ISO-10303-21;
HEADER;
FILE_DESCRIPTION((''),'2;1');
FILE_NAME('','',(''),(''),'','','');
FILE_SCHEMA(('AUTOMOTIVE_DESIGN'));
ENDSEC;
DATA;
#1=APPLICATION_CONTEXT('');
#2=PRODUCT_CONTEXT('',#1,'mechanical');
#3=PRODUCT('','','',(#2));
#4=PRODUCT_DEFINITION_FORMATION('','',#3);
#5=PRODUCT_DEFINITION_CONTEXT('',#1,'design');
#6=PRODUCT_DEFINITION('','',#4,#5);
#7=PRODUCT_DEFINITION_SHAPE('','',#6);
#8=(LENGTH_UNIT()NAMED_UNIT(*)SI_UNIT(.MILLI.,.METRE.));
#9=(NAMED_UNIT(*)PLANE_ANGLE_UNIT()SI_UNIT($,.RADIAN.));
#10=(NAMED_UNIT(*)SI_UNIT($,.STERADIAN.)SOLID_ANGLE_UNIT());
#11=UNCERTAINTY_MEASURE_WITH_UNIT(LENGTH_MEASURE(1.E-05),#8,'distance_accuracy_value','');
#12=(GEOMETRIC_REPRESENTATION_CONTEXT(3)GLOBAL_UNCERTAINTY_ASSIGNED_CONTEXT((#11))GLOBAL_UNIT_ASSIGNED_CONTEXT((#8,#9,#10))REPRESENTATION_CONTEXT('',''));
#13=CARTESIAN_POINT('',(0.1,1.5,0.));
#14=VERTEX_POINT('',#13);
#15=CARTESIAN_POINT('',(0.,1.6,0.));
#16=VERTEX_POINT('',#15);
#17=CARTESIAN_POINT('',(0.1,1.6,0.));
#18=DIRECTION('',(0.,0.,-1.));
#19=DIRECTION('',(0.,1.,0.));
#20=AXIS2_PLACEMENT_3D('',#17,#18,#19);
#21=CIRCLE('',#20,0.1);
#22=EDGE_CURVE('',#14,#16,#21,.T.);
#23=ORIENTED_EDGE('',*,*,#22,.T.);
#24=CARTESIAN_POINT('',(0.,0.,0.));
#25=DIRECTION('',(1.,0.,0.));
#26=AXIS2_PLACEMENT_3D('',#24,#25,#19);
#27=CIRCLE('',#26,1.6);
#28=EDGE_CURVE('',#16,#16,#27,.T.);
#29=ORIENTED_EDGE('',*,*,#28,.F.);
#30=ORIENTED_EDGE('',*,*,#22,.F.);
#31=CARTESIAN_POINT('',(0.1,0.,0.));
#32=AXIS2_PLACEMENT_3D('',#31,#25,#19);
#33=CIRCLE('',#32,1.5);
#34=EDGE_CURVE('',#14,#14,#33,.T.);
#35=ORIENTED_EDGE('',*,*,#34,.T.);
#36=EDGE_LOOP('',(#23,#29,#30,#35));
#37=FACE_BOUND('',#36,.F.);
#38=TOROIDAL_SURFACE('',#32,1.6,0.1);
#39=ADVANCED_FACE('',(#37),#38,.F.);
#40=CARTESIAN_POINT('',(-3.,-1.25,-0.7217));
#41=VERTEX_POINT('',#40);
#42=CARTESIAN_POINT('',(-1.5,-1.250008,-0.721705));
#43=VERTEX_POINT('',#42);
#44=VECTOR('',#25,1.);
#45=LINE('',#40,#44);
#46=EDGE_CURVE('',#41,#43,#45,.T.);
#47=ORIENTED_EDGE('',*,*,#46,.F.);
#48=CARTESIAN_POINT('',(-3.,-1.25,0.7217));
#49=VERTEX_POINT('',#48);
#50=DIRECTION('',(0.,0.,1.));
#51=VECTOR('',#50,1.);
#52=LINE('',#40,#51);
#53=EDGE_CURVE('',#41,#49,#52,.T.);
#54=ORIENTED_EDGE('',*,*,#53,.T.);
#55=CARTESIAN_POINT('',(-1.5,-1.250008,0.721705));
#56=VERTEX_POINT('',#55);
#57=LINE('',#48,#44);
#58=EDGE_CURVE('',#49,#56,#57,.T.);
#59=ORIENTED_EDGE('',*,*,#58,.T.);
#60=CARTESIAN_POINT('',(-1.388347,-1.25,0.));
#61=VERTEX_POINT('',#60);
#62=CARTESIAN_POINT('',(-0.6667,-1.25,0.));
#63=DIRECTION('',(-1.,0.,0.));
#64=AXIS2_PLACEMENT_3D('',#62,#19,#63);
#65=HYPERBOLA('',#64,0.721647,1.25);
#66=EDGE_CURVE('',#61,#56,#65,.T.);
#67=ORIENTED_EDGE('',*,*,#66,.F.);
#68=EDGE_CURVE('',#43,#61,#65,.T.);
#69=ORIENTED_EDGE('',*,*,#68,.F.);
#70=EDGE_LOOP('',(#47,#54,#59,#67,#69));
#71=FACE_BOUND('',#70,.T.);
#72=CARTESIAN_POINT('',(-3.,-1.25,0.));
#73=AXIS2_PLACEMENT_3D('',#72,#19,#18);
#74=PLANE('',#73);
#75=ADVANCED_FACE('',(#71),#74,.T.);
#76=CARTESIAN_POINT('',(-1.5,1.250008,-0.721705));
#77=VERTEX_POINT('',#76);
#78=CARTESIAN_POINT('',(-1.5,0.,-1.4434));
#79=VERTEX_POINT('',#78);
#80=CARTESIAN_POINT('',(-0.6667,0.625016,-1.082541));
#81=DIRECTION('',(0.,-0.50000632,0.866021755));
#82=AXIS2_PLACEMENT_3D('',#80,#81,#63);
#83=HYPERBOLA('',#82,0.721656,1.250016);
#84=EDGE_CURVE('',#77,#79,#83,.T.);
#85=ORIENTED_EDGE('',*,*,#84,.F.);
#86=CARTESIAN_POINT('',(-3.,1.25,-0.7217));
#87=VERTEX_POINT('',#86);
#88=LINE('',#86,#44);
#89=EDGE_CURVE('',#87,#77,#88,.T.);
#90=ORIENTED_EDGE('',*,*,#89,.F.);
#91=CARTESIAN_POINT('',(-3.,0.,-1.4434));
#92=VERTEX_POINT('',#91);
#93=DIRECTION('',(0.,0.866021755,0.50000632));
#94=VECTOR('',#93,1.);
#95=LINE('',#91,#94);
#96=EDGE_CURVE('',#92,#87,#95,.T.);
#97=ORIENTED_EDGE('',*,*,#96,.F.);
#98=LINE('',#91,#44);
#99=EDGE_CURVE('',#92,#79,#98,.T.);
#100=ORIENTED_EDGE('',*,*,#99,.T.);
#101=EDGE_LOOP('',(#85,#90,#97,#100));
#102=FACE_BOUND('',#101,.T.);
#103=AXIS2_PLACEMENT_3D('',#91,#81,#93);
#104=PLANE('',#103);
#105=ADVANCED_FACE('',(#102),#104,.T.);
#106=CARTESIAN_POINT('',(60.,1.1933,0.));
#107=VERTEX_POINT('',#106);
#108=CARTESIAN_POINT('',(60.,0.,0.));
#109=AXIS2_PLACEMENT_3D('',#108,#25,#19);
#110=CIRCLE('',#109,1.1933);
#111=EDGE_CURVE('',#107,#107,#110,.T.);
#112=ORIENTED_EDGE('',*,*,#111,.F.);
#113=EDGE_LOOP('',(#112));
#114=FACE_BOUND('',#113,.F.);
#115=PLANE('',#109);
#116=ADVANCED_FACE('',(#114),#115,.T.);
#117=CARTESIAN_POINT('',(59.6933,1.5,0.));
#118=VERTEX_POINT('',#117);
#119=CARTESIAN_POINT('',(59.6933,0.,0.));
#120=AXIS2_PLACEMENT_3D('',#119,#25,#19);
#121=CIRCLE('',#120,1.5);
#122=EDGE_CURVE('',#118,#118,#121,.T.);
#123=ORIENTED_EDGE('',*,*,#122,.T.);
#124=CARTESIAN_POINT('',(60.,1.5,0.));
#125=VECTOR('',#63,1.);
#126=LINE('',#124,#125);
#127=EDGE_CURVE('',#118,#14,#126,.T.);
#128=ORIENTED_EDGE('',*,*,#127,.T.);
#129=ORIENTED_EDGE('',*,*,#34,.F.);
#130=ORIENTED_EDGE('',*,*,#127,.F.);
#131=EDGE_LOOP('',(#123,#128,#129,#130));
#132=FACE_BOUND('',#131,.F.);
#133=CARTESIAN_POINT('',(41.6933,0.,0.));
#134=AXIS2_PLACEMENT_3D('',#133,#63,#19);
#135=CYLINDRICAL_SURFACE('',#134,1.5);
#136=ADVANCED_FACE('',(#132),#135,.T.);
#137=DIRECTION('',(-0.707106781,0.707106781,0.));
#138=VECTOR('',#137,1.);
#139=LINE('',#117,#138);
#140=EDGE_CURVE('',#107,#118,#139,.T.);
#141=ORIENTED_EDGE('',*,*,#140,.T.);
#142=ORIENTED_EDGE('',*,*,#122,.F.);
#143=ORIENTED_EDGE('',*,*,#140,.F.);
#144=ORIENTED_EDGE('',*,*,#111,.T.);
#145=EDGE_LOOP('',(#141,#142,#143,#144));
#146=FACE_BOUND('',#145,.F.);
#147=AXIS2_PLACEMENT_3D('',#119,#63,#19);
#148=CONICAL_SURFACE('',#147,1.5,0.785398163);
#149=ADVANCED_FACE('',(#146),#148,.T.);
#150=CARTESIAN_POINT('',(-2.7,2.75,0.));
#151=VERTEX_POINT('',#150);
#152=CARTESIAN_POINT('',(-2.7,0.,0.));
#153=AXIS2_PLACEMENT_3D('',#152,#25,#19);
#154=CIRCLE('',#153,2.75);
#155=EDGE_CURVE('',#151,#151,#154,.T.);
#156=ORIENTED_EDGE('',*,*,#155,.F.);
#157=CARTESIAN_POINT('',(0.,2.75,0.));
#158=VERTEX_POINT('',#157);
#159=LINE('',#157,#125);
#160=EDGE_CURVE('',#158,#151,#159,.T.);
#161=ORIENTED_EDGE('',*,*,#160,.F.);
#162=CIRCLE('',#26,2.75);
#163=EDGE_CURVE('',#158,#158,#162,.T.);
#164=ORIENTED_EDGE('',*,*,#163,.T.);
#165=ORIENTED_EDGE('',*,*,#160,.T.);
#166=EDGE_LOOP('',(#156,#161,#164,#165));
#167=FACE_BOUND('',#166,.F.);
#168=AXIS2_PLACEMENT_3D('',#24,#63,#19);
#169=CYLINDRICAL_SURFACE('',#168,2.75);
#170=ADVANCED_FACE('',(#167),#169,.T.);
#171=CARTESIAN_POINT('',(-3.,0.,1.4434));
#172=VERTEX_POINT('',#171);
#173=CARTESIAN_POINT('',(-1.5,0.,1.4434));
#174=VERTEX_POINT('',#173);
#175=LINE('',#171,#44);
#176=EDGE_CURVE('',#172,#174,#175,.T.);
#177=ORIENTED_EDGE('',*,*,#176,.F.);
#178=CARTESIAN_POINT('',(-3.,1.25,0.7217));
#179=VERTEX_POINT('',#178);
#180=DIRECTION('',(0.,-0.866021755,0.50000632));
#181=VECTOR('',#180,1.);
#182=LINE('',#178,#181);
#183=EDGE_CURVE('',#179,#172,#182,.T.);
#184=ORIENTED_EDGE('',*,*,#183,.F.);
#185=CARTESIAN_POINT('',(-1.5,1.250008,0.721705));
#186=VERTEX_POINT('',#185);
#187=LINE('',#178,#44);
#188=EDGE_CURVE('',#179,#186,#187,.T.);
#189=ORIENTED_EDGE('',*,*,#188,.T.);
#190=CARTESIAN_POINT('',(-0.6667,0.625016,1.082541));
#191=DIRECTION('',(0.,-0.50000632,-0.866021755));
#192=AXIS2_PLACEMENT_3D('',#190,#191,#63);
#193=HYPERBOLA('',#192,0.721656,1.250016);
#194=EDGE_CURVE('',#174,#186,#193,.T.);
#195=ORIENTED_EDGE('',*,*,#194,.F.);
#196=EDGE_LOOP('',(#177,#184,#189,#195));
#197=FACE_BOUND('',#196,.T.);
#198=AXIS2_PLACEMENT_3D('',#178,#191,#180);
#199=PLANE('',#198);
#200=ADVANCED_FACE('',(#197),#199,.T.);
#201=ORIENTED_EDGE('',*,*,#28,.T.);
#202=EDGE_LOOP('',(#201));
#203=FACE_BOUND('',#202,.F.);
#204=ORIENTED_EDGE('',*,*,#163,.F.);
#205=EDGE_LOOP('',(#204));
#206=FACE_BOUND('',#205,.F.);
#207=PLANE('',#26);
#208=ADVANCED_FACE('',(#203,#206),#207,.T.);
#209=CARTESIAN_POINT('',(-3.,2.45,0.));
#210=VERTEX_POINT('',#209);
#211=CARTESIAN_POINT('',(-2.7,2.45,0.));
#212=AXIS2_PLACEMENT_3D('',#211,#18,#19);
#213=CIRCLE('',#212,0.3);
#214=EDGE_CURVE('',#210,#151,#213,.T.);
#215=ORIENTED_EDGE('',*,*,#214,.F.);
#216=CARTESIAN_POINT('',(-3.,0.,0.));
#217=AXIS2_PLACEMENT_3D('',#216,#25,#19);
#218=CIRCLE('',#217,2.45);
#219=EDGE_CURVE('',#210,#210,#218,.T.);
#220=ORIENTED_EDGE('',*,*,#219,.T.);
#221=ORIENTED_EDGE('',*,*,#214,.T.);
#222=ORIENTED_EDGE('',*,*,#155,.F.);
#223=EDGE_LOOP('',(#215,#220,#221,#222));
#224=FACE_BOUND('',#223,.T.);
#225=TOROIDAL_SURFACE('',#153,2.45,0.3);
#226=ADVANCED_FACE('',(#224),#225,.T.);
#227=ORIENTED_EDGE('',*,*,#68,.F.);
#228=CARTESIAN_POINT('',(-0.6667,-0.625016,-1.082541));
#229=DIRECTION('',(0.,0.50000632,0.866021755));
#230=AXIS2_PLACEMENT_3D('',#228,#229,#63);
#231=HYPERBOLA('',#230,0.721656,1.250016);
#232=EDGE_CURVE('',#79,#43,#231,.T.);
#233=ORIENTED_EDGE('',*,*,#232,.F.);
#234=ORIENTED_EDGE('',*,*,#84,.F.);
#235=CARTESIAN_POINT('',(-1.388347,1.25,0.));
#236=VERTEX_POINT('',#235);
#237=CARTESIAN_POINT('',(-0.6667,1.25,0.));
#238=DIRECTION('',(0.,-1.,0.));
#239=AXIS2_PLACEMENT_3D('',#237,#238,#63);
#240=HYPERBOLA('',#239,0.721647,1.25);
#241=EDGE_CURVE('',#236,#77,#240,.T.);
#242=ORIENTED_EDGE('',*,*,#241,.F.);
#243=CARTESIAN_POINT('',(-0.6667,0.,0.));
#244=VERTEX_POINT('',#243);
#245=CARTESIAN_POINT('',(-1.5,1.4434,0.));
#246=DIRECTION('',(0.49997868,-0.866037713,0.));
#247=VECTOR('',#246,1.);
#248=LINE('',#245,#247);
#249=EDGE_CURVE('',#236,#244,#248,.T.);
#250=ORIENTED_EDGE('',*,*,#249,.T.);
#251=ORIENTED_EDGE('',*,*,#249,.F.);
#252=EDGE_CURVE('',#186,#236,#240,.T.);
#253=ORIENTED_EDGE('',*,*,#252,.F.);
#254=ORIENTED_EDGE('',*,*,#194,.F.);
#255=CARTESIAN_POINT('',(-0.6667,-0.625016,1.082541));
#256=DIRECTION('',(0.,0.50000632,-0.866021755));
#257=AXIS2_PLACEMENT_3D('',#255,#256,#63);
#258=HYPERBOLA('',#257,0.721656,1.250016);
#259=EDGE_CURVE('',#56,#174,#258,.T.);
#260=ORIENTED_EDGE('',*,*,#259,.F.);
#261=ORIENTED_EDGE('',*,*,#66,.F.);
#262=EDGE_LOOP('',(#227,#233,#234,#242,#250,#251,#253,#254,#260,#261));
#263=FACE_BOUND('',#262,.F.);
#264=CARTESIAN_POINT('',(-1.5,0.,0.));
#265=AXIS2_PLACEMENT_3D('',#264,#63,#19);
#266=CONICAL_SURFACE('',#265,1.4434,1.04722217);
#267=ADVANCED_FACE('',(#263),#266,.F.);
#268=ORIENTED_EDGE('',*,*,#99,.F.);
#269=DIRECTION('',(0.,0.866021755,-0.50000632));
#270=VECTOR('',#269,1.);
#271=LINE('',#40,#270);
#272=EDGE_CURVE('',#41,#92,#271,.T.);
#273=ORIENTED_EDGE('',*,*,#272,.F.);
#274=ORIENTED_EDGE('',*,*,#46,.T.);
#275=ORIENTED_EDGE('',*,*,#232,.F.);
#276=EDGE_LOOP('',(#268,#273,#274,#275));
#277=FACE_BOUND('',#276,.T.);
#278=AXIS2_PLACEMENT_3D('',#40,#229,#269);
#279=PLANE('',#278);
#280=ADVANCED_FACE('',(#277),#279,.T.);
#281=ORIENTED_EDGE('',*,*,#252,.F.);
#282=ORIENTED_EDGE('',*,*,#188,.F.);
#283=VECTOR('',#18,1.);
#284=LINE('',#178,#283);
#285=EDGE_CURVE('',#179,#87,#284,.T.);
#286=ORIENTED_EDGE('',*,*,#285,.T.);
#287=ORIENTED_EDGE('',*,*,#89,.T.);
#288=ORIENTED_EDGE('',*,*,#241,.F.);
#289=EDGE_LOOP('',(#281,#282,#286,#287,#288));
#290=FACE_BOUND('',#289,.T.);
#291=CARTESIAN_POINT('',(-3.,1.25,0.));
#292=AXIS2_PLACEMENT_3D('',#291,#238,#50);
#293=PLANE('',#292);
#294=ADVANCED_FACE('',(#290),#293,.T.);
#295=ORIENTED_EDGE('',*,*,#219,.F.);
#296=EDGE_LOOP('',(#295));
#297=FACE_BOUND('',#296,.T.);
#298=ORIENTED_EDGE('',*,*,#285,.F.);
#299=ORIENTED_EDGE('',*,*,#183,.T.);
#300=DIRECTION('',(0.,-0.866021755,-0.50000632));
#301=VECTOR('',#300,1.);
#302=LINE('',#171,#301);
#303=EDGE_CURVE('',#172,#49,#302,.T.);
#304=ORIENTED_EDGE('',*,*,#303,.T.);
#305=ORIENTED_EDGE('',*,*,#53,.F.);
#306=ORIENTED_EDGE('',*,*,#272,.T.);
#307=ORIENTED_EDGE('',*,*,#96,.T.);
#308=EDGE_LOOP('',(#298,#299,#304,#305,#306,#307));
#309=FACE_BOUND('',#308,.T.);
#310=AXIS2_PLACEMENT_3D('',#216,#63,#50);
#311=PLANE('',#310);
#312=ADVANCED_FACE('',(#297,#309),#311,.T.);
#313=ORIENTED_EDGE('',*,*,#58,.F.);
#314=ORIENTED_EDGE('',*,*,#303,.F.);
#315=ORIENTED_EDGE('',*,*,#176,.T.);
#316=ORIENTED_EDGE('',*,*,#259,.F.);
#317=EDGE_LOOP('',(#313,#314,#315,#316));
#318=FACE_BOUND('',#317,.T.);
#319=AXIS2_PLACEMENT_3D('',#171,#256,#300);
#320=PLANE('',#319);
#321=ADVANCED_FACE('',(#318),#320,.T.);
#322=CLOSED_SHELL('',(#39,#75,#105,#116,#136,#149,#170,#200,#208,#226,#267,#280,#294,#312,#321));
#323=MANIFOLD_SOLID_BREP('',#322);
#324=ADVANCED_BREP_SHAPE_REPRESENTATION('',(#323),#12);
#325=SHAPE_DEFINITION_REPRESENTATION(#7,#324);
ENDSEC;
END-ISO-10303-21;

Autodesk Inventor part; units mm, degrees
ref_plane "YZ Plane" through (0, 0, 0) normal (1, 0, 0) x (0, 1, 0)
ref_plane "XZ Plane" through (0, 0, 0) normal (0, 1, 0) x (-1, 0, 0)
sketch "Sketch1" plane through (0, 0, 0) normal (0, 0, 1) x (1, 0, 0)
  line L0 (-0.6667, 0) -> (60, 0)
  line L1 (60, 0) -> (60, 1.5)
  line L2 (60, 1.5) -> (42, 1.5)
  line L3 (42, 1.5) -> (41.6933, 1.5)
  line L4 (41.6933, 1.5) -> (0, 1.5)
  line L5 (0, 1.5) -> (0, 2.75)
  line L6 (0, 2.75) -> (-3, 2.75)
  line L7 (-3, 2.75) -> (-3, 1.4434)
  line L8 (-3, 1.4434) -> (-1.5, 1.4434)
  line L9 (-1.5, 1.4434) -> (-0.6667, 0)
  line L10 (-15.6, 0) -> (72.6, 0) projected
  line L11 (0, -0.55) -> (0, 3.3) projected
  line L12 (42, 1.5) -> (0, 1.5) construction
  dimension "d0" = 18
  dimension "d1" = 0.3067
  dimension "d2" = 3
  dimension "d3" = 1.5
  dimension "d4" = 60
  dimension "d5" = 3
  dimension "d6" = 3
  dimension "d7" = 2.8868
  dimension "d8" = 5.5
  dimension "d19" = 60
revolve "Body" add sketch "Sketch1" angle 360 about axis through (-0.6667, 0, 0) along (1, 0, 0)
sketch "Sketch2" plane through (-3, 0, 0) normal (-1, 0, 0) x (0, 0, 1)
  circle A0 centre (0, 0) radius 1.4434 projected
  line L0 (0, -3.85) -> (0, 3.85) projected
  line L1 (-3.85, 0) -> (3.85, 0) projected
  line L2 (1.4434, 0) -> (0.7217, -1.25)
  line L3 (0.7217, -1.25) -> (-0.7217, -1.25)
  line L4 (-0.7217, -1.25) -> (-1.4434, 0)
  line L5 (-1.4434, 0) -> (-0.7217, 1.25)
  line L6 (-0.7217, 1.25) -> (0.7217, 1.25)
  line L7 (0.7217, 1.25) -> (1.4434, 0)
extrude "Slot" add sketch "Sketch2" against normal up to next contours L7 A0 | A0 L2 | L6 L0 A0 | A0 L0 L3 | L0 L6 A0 | A0 L3 L0 | L4 A0 | A0 L5
fillet "Fillet2" radius 0.3 1 edges at (-3, -2.75, 0)
thread "Thread" size "M3x0.5" class "6g" standard "ISO Metric profile" length 18
chamfer "Chamfer1" distance 0.3067 distance2 0.3067 1 edges at (60, -1.5, 0) measured on face at (60, -0.3743, 0.3316)
fillet "Fillet1" radius 0.1 1 edges at (0, -1.5, 0)
ref_plane "Work Plane1" through (30, 0, 0) normal (0, -0.5, 0.866) x (1, 0, 0)
equation "\"d0\" = GEL"
equation "\"d1\" = GAL"
equation "\"d2\" = KOH"
equation "\"d3\" = INTI"
equation "\"d5\" = GD"
equation "\"d6\" = BDM"
equation "\"d7\" = 1.1547 * SW"
equation "\"d8\" = KOD"
equation "\"d19\" = NLG"
equation "\"d16\" = RR"
equation "\"d12\" = GEL"
equation "\"d14\" = -0.5 * SPD + 0.5 * GD"
equation "\"d15\" = GUL"
equation "\"d29\" = R"
equation "\"GD\" = NND"
equation "\"NLG\" = 60"
equation "\"GEL\" = 18"
equation "\"KOD\" = 5.5"
equation "\"KOH\" = 3"
equation "\"INTI\" = 1.5"
equation "\"GAL\" = 0.61345 * PTC"
equation "\"GUL\" = 0.61345 * PTC"
equation "\"BDM\" = NND"
equation "\"SW\" = 2.5"
equation "\"RR\" = 0.3"
equation "\"SPD\" = 2.38655"
equation "\"d28\" = R"
equation "\"R\" = 0.1"
equation "\"TOA\" = 30deg"
equation "\"THREADDIA\" = 3"
equation "\"KOD1\" = KOD"
equation "\"PTC\" = 0.5"
equation "\"NND\" = 3"
equation "\"E0\" = 1.155 * SW"
equation "\"GD1\" = THREADDIA - 1.2269 * PTC"
properties part number "ANSI B18.3.1M - M3x0.5 x 60, BSHCSM" material "Steel, Mild"
